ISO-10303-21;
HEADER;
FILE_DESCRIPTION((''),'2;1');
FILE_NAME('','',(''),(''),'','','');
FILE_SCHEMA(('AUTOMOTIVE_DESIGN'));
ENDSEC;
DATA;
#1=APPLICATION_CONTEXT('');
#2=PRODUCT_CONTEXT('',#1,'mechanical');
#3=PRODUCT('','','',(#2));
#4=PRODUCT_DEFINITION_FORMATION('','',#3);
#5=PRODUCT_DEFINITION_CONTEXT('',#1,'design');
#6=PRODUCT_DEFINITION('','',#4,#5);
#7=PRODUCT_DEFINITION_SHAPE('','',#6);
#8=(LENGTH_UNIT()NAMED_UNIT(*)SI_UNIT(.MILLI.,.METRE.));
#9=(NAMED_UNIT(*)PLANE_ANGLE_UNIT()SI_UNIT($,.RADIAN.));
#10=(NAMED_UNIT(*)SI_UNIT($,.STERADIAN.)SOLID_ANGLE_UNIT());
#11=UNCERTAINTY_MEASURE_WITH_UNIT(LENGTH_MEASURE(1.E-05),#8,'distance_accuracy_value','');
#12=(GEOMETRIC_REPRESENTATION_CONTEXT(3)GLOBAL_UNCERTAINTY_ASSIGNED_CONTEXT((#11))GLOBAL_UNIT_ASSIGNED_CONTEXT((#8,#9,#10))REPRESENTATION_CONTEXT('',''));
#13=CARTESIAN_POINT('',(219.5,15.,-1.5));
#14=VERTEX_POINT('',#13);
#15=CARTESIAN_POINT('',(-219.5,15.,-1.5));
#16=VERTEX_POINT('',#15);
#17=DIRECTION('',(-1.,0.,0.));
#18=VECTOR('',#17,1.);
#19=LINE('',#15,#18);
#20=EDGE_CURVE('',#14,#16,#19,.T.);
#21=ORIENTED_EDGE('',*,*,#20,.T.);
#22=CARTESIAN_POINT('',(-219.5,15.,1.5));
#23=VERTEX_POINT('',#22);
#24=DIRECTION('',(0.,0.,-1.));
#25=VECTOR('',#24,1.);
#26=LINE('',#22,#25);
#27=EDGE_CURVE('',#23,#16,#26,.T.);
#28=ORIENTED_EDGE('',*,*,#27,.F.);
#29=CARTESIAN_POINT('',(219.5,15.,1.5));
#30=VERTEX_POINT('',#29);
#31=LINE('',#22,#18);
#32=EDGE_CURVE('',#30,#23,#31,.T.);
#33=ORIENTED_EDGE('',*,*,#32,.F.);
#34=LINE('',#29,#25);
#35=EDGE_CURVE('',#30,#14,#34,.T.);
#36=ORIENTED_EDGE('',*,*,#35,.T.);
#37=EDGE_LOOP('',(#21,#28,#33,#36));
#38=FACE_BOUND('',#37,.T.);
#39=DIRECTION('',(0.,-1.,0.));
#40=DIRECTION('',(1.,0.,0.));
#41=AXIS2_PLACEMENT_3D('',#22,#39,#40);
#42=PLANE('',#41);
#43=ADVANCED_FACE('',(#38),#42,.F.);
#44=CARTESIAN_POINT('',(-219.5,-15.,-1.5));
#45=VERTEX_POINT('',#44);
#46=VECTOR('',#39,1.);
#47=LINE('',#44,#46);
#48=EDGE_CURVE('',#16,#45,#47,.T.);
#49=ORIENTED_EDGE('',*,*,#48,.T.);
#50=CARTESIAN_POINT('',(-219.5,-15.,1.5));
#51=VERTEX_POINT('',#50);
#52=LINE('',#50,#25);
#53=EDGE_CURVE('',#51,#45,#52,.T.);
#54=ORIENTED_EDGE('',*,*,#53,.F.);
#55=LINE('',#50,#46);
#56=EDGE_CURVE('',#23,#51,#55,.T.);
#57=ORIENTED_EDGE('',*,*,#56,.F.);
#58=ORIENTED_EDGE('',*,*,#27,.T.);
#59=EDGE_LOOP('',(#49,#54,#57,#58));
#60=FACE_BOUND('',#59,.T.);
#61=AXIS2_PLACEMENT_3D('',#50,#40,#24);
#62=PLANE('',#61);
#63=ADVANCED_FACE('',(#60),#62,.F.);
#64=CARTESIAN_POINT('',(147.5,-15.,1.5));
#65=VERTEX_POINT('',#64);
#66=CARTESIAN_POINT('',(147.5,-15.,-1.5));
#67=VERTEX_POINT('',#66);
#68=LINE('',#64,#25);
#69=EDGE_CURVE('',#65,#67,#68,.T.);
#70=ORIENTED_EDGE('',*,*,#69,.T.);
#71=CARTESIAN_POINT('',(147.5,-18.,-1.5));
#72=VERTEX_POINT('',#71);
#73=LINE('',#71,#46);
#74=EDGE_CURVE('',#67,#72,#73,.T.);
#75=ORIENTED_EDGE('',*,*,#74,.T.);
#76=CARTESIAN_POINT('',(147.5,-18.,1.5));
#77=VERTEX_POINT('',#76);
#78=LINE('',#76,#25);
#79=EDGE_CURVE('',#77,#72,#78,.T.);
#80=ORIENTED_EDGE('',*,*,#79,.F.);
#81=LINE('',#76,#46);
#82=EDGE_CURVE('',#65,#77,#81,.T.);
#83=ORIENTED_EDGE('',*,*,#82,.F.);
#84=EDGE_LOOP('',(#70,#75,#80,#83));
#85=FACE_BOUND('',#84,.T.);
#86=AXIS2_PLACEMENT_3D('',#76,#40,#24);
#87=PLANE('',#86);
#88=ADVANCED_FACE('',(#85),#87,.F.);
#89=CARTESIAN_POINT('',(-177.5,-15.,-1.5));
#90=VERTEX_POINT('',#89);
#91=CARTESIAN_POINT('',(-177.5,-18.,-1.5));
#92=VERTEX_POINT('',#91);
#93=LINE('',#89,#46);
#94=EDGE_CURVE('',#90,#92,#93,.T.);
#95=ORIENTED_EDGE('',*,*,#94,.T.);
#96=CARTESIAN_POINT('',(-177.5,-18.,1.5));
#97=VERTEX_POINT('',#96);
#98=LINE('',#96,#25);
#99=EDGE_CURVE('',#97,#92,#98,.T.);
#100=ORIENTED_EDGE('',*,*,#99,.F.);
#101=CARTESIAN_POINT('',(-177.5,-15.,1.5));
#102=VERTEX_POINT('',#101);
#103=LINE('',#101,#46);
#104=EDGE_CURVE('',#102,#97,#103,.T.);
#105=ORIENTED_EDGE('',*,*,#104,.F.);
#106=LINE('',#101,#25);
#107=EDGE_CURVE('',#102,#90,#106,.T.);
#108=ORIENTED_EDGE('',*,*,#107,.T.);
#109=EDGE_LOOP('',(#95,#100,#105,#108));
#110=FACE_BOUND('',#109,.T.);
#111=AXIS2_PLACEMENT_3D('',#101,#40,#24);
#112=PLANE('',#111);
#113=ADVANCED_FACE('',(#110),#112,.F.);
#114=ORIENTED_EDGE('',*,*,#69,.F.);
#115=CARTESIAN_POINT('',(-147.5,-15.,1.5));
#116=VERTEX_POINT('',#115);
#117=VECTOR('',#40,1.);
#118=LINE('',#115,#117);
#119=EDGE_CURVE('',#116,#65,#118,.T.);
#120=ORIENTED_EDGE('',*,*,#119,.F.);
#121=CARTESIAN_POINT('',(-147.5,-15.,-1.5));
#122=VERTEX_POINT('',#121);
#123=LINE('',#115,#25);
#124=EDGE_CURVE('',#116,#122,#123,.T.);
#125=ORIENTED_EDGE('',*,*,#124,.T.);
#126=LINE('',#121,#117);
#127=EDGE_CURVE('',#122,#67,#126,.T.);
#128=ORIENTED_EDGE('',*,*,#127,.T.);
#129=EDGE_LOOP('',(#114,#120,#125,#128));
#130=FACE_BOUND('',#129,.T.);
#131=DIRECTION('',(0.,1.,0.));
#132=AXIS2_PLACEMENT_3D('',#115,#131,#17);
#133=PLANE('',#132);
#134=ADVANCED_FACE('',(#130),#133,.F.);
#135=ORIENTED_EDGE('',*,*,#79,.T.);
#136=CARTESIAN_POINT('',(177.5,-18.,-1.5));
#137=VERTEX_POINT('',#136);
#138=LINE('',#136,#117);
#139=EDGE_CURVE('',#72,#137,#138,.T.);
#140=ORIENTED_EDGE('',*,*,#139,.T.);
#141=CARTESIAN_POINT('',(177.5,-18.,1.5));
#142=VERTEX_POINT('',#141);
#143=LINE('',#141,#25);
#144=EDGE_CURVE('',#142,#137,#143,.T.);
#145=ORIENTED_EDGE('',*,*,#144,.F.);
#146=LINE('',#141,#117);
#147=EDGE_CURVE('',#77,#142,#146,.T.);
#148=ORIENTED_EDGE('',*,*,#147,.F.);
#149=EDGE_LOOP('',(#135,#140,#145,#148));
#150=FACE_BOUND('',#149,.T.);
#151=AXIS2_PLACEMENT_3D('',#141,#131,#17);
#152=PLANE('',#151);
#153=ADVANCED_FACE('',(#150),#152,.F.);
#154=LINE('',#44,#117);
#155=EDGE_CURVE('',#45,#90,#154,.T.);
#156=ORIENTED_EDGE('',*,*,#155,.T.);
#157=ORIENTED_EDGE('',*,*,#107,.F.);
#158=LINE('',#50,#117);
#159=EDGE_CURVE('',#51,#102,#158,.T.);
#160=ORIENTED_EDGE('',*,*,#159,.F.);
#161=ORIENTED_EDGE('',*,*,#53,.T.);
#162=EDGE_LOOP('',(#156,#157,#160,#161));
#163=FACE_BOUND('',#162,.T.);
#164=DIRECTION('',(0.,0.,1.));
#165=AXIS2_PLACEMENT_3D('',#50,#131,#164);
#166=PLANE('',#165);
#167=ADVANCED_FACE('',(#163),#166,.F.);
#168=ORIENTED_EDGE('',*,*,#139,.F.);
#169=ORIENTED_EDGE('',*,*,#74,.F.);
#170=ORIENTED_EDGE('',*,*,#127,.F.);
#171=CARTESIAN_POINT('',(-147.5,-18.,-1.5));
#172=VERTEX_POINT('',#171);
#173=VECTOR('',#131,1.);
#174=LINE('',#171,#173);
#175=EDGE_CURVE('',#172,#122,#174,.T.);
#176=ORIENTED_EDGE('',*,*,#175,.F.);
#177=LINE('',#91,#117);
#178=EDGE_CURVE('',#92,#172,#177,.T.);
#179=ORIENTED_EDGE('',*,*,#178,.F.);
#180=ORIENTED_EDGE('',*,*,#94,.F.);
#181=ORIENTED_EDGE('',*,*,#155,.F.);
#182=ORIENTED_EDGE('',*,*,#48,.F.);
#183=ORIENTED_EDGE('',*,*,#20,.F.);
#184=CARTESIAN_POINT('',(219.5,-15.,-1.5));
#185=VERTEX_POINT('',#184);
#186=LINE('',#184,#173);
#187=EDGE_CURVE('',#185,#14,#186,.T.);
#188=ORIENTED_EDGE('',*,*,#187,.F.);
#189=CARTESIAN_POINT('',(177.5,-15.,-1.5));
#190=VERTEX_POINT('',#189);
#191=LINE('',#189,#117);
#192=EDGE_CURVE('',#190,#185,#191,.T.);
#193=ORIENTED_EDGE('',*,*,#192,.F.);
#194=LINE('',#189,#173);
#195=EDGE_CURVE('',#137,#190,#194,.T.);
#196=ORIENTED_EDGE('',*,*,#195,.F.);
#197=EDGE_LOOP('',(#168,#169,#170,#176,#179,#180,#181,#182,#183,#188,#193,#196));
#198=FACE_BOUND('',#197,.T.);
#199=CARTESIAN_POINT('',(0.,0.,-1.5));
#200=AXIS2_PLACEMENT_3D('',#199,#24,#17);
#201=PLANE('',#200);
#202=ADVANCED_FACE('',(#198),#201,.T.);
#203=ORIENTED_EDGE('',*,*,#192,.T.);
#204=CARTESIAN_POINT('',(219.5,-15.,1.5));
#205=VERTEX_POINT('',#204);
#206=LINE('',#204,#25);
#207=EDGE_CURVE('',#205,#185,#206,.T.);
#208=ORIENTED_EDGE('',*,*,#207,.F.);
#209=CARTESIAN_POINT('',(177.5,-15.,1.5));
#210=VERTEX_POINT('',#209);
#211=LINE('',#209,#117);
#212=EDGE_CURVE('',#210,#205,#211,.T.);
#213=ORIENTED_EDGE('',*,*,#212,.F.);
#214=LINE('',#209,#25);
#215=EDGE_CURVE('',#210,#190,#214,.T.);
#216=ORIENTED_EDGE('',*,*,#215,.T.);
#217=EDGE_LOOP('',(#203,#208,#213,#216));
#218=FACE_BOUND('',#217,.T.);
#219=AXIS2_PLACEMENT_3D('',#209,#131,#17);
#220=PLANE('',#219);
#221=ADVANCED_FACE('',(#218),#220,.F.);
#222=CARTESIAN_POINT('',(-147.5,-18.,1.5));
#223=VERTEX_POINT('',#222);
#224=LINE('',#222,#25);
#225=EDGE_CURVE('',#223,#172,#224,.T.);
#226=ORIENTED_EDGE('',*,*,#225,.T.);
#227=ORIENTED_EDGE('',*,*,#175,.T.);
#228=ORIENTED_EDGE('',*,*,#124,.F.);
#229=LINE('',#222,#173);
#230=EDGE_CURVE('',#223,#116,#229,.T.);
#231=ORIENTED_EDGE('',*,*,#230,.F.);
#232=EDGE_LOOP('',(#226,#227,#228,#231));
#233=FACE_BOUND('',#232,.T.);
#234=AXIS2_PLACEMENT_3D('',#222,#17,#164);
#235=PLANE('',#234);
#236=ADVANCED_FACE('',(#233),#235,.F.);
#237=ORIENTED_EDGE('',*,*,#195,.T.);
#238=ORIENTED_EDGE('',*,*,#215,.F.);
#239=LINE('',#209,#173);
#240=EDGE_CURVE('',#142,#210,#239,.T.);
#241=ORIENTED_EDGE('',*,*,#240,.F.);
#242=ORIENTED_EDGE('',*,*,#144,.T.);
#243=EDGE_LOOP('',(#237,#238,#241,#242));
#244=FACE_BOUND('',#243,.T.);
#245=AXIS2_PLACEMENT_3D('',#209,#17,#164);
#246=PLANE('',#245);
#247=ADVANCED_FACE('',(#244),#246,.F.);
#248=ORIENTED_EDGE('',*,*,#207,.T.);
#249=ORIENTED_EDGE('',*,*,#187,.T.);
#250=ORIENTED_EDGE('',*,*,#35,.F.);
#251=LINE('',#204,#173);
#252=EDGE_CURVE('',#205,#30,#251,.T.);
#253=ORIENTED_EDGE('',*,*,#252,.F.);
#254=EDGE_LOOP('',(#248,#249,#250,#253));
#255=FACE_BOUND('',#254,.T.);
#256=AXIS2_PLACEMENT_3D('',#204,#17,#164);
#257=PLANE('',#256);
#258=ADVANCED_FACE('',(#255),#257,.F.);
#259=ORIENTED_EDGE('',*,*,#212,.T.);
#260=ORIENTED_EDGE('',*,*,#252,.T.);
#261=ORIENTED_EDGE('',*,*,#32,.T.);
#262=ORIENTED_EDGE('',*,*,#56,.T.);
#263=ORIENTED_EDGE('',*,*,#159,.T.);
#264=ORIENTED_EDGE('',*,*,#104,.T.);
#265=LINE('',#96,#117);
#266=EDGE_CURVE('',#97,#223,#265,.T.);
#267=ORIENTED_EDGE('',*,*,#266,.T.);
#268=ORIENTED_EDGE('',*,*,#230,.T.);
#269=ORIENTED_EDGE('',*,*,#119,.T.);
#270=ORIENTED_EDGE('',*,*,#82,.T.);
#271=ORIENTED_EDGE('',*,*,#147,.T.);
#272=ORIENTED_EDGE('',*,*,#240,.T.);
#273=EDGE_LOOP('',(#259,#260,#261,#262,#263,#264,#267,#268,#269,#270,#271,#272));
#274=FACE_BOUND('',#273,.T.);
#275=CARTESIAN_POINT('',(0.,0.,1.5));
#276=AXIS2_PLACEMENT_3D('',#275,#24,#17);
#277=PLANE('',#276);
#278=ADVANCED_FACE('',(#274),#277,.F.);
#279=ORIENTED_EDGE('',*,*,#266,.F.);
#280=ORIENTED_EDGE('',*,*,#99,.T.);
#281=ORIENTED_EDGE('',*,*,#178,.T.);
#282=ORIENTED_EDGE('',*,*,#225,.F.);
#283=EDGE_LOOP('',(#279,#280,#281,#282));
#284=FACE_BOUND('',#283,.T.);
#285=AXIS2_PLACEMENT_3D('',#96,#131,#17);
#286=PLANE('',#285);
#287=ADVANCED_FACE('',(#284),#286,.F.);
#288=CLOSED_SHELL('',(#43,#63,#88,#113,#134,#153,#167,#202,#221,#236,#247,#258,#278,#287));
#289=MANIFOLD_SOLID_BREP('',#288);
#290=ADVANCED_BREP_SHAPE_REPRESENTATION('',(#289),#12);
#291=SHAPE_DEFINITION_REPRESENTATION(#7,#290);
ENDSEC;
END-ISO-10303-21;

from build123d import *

# Parameters (mm, degrees)
SALIENTE_EXTRUIR1_DEPTH = 1.5


with BuildPart() as part:
    # Croquis1 → Saliente-Extruir1 (new, symmetric)
    with BuildSketch(Plane.XY):
        Polygon((-177.5, -15), (-177.5, -18), (-147.5, -18), (-147.5, -15), (147.5, -15), (147.5, -18), (177.5, -18), (177.5, -15), (219.5, -15), (219.5, 15), (-219.5, 15), (-219.5, -15), align=None)
    extrude(amount=SALIENTE_EXTRUIR1_DEPTH, both=True)


solid = part.part
